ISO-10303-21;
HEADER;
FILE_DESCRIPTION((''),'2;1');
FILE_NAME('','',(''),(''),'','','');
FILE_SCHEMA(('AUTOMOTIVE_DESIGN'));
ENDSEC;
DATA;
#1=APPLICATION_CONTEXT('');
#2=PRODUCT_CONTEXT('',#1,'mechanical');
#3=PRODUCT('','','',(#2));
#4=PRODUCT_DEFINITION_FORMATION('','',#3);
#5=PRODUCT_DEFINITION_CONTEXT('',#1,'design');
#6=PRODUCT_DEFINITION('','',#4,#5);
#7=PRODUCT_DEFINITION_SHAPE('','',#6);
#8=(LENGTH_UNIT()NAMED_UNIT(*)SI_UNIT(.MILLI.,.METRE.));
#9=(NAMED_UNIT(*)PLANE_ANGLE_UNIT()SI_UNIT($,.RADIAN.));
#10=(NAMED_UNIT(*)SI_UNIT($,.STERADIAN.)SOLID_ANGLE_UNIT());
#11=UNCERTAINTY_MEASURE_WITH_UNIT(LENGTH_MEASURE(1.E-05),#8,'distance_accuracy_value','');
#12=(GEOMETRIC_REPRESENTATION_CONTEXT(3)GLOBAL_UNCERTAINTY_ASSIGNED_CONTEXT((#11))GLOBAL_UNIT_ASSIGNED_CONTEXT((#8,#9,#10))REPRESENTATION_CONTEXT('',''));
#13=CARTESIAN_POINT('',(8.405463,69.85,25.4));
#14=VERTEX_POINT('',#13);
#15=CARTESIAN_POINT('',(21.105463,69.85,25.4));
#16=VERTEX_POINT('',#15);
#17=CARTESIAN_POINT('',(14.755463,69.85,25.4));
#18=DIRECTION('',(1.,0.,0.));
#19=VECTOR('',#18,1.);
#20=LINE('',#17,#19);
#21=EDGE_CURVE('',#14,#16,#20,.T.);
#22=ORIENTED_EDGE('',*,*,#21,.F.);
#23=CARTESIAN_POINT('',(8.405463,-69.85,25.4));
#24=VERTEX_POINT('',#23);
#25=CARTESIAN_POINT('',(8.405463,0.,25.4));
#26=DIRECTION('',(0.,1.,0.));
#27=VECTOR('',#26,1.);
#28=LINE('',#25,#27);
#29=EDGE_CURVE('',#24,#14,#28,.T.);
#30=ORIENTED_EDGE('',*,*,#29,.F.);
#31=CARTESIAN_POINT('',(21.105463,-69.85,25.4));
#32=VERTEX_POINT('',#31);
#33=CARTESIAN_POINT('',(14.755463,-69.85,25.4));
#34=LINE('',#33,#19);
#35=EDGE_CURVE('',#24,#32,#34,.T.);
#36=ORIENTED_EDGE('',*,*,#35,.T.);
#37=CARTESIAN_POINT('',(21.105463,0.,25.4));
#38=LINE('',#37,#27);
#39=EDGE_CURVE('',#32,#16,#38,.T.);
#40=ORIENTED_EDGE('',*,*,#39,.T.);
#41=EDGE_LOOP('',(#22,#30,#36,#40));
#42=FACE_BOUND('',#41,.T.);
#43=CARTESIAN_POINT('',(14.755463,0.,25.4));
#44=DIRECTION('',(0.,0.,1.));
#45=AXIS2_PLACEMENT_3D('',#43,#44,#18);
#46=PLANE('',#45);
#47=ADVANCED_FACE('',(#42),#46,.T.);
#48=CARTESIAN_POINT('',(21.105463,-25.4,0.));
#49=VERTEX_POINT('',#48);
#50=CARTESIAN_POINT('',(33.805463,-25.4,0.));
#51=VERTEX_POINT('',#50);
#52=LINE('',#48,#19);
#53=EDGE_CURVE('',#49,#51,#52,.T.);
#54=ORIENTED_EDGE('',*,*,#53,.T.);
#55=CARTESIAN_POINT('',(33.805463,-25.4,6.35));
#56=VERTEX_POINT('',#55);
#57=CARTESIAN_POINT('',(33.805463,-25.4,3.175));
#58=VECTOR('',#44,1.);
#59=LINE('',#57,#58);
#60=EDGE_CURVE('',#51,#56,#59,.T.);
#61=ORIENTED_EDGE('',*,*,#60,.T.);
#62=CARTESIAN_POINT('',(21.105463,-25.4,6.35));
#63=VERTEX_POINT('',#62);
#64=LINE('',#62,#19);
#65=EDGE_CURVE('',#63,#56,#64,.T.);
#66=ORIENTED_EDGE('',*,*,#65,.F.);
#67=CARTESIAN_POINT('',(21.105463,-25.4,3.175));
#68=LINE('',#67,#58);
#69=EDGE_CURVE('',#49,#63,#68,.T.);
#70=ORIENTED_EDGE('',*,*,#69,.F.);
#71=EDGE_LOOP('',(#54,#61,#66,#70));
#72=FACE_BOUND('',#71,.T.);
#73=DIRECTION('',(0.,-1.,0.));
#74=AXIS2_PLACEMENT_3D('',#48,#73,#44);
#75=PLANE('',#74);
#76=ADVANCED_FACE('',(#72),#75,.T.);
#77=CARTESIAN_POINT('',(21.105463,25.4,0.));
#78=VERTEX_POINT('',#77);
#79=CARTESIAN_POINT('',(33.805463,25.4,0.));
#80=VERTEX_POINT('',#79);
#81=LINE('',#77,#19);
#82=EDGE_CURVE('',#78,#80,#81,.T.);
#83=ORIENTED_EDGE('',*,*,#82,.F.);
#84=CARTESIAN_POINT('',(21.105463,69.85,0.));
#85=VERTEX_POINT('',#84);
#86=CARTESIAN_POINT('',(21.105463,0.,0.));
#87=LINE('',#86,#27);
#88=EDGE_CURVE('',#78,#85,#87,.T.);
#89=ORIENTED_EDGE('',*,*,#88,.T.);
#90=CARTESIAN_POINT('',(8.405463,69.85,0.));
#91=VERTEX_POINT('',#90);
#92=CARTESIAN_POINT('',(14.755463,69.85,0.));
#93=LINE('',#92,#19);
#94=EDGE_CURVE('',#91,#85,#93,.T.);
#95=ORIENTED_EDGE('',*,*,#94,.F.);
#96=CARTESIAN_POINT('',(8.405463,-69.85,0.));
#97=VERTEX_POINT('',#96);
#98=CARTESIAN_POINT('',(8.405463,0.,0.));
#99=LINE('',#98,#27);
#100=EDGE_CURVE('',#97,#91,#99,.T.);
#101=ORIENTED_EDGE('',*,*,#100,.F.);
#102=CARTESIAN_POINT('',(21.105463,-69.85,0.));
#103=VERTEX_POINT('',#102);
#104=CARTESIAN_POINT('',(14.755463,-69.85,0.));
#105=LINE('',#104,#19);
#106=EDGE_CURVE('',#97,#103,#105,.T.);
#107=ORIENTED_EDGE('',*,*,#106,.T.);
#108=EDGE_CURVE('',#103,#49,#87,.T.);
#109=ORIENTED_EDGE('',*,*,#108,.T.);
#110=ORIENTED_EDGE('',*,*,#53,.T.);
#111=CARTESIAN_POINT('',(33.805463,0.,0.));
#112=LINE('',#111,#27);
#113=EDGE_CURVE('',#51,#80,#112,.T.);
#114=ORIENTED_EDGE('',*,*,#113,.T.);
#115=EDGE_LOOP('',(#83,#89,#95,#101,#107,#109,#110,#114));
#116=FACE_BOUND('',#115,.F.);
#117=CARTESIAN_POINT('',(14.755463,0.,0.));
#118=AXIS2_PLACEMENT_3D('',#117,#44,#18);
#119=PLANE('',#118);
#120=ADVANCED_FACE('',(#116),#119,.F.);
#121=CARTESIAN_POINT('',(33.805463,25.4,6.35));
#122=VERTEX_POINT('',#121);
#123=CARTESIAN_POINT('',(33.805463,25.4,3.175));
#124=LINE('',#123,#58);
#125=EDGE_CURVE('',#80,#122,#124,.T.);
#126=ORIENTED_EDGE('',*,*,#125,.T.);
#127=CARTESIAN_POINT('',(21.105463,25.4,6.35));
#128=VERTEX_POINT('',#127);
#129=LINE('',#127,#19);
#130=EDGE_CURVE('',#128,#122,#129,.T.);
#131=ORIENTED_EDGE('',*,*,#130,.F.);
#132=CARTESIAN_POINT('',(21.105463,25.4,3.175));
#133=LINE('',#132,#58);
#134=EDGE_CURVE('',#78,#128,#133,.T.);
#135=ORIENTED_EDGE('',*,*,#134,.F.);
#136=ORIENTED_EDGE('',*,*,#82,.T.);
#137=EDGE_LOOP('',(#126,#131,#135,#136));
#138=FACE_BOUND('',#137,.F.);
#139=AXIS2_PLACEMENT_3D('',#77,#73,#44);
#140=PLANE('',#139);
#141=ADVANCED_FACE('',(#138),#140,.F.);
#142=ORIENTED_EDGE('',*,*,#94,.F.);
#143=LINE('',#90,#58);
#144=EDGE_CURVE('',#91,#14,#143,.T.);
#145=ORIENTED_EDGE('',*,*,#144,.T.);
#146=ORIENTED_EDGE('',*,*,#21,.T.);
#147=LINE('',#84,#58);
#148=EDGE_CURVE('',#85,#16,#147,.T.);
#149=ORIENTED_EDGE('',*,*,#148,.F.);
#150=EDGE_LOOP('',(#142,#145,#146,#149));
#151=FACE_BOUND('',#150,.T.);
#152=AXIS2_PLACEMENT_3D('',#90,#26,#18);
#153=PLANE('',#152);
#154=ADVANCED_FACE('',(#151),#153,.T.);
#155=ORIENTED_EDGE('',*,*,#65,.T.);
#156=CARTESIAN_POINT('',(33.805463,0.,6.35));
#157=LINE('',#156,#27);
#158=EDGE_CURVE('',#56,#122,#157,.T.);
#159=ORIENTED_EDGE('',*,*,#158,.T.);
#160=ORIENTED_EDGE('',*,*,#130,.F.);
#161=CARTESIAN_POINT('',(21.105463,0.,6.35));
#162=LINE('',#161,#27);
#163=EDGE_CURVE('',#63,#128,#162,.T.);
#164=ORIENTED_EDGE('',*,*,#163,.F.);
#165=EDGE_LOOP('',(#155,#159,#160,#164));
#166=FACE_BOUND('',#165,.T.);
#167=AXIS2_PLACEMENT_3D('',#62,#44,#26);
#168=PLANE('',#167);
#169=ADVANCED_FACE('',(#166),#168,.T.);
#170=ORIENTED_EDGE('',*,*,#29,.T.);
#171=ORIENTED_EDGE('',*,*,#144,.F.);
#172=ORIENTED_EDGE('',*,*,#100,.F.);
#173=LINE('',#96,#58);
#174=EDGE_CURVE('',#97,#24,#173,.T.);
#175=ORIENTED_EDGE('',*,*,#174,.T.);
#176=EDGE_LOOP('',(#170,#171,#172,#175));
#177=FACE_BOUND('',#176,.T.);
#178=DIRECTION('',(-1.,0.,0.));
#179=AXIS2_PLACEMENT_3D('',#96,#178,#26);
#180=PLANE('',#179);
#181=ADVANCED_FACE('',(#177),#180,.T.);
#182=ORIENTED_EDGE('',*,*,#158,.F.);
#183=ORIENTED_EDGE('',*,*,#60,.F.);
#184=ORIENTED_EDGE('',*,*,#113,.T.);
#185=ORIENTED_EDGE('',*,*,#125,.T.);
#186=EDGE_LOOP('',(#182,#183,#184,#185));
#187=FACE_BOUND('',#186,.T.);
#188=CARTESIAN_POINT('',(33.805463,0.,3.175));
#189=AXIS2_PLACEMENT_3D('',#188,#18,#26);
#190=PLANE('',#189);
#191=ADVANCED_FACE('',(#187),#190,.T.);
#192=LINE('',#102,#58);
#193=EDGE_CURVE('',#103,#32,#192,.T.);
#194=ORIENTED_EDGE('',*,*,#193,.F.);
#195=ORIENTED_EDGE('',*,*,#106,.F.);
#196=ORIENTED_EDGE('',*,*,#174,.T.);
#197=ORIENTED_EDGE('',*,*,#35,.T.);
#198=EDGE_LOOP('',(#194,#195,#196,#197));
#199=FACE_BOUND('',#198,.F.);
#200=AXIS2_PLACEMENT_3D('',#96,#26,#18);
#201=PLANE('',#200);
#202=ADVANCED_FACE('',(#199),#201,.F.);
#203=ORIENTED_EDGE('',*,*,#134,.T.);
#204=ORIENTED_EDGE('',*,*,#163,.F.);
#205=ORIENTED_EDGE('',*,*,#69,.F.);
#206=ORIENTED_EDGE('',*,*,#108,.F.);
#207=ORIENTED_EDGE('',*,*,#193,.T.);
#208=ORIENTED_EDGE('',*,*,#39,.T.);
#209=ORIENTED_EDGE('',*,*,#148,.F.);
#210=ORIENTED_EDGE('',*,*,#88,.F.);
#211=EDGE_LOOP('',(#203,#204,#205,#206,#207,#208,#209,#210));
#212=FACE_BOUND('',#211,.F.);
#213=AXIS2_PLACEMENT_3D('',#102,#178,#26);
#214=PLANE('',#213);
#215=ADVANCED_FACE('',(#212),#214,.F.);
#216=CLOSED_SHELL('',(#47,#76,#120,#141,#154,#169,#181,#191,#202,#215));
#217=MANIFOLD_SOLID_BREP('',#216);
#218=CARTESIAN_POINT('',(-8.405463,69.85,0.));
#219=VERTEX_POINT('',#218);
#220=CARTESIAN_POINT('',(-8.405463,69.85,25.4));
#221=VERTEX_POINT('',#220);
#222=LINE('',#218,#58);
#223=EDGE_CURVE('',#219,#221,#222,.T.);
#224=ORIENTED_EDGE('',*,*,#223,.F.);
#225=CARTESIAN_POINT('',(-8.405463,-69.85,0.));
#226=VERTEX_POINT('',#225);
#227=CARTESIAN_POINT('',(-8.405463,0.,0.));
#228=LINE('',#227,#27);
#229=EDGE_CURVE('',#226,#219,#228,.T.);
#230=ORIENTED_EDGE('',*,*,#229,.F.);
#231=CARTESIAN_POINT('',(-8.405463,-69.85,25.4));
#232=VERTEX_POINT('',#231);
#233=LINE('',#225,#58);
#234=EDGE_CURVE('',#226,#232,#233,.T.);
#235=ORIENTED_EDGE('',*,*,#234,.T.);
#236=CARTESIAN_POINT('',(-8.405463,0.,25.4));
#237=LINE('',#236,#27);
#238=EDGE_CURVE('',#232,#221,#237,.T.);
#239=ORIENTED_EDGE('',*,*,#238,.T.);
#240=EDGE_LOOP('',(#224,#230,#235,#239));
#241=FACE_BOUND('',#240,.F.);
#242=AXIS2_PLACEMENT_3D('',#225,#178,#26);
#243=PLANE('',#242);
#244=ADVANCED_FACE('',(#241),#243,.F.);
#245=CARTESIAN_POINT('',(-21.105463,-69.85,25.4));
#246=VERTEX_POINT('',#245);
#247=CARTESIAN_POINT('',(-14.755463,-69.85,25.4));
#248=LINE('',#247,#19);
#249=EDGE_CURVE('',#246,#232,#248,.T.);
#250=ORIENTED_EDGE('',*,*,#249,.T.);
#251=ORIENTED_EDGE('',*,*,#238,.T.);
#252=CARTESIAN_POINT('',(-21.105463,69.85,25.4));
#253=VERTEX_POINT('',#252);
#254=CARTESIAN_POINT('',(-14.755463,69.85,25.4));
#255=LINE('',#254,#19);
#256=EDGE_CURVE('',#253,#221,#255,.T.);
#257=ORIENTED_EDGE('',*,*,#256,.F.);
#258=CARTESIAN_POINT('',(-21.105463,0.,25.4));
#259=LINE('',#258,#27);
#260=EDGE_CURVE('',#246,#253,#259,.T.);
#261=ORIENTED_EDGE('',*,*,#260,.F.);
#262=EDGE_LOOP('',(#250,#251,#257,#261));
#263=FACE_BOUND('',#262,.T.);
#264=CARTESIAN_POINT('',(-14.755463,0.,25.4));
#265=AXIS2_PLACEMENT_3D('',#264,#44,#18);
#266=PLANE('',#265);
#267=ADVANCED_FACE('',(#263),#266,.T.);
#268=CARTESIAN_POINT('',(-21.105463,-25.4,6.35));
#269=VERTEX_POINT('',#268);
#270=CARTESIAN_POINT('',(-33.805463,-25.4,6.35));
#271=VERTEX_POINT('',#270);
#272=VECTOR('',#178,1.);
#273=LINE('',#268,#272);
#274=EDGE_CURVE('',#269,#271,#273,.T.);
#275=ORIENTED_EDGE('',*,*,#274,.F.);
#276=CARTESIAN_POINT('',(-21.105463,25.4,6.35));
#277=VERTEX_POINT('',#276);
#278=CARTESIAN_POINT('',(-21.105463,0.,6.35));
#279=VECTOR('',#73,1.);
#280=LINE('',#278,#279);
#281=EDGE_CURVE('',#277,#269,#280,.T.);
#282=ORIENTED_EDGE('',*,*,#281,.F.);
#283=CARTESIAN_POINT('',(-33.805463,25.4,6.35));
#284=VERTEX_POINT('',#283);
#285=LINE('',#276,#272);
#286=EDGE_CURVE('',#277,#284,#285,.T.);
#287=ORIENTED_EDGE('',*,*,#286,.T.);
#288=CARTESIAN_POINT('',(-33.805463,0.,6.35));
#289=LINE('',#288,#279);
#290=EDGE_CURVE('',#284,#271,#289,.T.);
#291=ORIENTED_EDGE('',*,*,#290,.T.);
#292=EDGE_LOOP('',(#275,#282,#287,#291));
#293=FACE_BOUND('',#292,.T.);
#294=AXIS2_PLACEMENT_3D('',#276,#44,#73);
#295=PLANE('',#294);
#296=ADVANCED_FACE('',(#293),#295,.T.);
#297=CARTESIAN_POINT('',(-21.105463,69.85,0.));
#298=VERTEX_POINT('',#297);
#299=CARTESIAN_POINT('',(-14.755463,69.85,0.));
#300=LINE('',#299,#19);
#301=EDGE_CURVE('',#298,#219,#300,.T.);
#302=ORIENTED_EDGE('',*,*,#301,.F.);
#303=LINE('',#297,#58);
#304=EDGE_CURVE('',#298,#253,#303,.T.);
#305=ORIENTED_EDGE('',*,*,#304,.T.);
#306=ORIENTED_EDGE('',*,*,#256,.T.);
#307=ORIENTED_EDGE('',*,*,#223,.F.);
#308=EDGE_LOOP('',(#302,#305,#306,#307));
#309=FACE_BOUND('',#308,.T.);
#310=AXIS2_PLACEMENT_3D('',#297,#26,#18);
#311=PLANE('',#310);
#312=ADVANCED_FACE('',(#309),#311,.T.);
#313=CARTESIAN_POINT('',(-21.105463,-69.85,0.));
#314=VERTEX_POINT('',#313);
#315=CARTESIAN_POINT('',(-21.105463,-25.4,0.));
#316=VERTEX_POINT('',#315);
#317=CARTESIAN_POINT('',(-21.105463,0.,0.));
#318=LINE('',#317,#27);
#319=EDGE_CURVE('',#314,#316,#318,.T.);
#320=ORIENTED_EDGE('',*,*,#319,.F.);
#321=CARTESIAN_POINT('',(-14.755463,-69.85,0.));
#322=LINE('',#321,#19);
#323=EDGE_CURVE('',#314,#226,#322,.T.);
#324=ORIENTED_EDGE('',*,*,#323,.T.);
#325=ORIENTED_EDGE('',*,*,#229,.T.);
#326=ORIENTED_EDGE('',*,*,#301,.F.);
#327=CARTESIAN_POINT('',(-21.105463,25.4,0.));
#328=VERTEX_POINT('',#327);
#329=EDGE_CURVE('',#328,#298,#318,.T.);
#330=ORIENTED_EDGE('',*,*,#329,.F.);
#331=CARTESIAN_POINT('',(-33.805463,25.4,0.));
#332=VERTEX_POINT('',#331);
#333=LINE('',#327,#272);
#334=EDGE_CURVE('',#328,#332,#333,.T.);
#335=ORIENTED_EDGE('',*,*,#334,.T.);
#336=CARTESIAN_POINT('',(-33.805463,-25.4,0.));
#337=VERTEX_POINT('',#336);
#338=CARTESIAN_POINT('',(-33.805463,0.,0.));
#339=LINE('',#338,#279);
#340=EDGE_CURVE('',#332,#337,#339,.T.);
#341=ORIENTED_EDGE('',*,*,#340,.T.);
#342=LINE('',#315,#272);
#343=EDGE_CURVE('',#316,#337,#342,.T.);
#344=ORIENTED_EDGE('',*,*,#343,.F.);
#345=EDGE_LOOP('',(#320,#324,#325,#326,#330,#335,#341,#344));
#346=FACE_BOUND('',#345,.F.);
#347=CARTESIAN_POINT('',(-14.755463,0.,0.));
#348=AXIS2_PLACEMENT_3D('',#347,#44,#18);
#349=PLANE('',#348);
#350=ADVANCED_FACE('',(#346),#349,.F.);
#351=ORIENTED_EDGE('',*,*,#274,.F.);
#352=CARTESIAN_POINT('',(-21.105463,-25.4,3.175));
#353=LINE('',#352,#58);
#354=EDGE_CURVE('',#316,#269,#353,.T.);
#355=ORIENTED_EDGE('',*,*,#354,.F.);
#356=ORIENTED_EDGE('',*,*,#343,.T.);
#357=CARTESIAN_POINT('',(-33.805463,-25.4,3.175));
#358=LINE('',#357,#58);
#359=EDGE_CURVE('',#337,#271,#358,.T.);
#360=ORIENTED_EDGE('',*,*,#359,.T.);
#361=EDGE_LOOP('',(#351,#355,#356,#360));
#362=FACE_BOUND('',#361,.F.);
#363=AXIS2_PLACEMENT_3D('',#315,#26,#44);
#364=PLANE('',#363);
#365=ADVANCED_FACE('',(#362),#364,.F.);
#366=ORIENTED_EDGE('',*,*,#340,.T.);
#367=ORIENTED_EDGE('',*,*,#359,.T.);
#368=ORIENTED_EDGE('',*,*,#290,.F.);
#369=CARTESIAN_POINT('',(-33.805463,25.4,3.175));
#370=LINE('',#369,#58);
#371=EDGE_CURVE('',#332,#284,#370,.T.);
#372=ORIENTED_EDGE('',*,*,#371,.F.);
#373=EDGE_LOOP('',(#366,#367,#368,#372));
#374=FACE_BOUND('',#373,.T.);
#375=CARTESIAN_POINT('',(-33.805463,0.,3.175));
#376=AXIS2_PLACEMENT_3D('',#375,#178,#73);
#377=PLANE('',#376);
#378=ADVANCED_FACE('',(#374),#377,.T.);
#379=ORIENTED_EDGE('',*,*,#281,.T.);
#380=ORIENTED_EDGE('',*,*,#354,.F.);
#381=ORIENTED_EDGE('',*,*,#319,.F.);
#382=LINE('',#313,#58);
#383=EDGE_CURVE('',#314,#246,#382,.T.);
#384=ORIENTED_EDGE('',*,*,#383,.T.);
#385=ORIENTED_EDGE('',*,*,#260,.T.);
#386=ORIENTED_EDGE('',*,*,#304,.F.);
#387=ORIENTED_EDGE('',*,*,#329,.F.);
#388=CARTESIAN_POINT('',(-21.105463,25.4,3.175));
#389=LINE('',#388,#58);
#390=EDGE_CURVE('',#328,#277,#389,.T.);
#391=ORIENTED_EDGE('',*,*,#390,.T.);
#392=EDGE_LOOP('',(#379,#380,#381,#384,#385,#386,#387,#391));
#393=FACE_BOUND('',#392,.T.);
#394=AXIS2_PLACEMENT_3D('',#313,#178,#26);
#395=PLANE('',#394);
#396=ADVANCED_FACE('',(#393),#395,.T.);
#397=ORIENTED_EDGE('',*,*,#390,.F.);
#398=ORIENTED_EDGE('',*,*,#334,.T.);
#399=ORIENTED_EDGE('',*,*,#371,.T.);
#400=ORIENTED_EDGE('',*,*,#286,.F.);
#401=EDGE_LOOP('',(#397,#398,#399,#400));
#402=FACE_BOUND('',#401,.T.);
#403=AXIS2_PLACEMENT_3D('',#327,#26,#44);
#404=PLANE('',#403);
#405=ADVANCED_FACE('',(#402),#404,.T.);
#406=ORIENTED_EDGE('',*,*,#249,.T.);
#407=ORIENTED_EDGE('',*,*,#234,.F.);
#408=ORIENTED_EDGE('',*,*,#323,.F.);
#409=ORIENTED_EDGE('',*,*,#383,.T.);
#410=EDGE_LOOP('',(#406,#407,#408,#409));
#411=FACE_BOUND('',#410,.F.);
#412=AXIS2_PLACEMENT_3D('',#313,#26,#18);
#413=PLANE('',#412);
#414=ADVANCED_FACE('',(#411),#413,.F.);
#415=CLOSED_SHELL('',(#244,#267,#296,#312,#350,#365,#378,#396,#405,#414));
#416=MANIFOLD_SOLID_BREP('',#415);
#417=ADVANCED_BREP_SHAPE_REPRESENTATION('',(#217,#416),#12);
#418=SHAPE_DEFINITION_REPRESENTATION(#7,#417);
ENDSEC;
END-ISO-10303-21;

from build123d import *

# Parameters (mm, degrees)
F0_W     = 12.7
F0_H     = 139.7
F1_DEPTH = 25.4
F2_W     = 50.8
F2_H     = 6.35
F4_DEPTH = 12.7
F3_W     = 50.8
F3_H     = 6.35
F5_DEPTH = 12.7


with BuildPart() as f1:
    # F0 (on Top) → F1 (new body)
    with BuildSketch(Plane.XY):
        with Locations((-14.755463, 0)):
            Rectangle(F0_W, F0_H)
        with Locations((14.755463, 0)):
            Rectangle(F0_W, F0_H)
    extrude(amount=F1_DEPTH)

    # F2 (on face) → F4 (join)
    with BuildSketch(Plane.YZ.offset(21.105463)):
        with Locations((0, 3.175)):
            Rectangle(F2_W, F2_H)
    extrude(amount=F4_DEPTH)

    # F3 (on face) → F5 (join)
    with BuildSketch(Plane(origin=(-21.105463, 0, 0), x_dir=(0, -1, 0), z_dir=(-1, 0, 0))):
        with Locations((0, 3.175)):
            Rectangle(F3_W, F3_H)
    extrude(amount=F5_DEPTH)


solid = f1.part
